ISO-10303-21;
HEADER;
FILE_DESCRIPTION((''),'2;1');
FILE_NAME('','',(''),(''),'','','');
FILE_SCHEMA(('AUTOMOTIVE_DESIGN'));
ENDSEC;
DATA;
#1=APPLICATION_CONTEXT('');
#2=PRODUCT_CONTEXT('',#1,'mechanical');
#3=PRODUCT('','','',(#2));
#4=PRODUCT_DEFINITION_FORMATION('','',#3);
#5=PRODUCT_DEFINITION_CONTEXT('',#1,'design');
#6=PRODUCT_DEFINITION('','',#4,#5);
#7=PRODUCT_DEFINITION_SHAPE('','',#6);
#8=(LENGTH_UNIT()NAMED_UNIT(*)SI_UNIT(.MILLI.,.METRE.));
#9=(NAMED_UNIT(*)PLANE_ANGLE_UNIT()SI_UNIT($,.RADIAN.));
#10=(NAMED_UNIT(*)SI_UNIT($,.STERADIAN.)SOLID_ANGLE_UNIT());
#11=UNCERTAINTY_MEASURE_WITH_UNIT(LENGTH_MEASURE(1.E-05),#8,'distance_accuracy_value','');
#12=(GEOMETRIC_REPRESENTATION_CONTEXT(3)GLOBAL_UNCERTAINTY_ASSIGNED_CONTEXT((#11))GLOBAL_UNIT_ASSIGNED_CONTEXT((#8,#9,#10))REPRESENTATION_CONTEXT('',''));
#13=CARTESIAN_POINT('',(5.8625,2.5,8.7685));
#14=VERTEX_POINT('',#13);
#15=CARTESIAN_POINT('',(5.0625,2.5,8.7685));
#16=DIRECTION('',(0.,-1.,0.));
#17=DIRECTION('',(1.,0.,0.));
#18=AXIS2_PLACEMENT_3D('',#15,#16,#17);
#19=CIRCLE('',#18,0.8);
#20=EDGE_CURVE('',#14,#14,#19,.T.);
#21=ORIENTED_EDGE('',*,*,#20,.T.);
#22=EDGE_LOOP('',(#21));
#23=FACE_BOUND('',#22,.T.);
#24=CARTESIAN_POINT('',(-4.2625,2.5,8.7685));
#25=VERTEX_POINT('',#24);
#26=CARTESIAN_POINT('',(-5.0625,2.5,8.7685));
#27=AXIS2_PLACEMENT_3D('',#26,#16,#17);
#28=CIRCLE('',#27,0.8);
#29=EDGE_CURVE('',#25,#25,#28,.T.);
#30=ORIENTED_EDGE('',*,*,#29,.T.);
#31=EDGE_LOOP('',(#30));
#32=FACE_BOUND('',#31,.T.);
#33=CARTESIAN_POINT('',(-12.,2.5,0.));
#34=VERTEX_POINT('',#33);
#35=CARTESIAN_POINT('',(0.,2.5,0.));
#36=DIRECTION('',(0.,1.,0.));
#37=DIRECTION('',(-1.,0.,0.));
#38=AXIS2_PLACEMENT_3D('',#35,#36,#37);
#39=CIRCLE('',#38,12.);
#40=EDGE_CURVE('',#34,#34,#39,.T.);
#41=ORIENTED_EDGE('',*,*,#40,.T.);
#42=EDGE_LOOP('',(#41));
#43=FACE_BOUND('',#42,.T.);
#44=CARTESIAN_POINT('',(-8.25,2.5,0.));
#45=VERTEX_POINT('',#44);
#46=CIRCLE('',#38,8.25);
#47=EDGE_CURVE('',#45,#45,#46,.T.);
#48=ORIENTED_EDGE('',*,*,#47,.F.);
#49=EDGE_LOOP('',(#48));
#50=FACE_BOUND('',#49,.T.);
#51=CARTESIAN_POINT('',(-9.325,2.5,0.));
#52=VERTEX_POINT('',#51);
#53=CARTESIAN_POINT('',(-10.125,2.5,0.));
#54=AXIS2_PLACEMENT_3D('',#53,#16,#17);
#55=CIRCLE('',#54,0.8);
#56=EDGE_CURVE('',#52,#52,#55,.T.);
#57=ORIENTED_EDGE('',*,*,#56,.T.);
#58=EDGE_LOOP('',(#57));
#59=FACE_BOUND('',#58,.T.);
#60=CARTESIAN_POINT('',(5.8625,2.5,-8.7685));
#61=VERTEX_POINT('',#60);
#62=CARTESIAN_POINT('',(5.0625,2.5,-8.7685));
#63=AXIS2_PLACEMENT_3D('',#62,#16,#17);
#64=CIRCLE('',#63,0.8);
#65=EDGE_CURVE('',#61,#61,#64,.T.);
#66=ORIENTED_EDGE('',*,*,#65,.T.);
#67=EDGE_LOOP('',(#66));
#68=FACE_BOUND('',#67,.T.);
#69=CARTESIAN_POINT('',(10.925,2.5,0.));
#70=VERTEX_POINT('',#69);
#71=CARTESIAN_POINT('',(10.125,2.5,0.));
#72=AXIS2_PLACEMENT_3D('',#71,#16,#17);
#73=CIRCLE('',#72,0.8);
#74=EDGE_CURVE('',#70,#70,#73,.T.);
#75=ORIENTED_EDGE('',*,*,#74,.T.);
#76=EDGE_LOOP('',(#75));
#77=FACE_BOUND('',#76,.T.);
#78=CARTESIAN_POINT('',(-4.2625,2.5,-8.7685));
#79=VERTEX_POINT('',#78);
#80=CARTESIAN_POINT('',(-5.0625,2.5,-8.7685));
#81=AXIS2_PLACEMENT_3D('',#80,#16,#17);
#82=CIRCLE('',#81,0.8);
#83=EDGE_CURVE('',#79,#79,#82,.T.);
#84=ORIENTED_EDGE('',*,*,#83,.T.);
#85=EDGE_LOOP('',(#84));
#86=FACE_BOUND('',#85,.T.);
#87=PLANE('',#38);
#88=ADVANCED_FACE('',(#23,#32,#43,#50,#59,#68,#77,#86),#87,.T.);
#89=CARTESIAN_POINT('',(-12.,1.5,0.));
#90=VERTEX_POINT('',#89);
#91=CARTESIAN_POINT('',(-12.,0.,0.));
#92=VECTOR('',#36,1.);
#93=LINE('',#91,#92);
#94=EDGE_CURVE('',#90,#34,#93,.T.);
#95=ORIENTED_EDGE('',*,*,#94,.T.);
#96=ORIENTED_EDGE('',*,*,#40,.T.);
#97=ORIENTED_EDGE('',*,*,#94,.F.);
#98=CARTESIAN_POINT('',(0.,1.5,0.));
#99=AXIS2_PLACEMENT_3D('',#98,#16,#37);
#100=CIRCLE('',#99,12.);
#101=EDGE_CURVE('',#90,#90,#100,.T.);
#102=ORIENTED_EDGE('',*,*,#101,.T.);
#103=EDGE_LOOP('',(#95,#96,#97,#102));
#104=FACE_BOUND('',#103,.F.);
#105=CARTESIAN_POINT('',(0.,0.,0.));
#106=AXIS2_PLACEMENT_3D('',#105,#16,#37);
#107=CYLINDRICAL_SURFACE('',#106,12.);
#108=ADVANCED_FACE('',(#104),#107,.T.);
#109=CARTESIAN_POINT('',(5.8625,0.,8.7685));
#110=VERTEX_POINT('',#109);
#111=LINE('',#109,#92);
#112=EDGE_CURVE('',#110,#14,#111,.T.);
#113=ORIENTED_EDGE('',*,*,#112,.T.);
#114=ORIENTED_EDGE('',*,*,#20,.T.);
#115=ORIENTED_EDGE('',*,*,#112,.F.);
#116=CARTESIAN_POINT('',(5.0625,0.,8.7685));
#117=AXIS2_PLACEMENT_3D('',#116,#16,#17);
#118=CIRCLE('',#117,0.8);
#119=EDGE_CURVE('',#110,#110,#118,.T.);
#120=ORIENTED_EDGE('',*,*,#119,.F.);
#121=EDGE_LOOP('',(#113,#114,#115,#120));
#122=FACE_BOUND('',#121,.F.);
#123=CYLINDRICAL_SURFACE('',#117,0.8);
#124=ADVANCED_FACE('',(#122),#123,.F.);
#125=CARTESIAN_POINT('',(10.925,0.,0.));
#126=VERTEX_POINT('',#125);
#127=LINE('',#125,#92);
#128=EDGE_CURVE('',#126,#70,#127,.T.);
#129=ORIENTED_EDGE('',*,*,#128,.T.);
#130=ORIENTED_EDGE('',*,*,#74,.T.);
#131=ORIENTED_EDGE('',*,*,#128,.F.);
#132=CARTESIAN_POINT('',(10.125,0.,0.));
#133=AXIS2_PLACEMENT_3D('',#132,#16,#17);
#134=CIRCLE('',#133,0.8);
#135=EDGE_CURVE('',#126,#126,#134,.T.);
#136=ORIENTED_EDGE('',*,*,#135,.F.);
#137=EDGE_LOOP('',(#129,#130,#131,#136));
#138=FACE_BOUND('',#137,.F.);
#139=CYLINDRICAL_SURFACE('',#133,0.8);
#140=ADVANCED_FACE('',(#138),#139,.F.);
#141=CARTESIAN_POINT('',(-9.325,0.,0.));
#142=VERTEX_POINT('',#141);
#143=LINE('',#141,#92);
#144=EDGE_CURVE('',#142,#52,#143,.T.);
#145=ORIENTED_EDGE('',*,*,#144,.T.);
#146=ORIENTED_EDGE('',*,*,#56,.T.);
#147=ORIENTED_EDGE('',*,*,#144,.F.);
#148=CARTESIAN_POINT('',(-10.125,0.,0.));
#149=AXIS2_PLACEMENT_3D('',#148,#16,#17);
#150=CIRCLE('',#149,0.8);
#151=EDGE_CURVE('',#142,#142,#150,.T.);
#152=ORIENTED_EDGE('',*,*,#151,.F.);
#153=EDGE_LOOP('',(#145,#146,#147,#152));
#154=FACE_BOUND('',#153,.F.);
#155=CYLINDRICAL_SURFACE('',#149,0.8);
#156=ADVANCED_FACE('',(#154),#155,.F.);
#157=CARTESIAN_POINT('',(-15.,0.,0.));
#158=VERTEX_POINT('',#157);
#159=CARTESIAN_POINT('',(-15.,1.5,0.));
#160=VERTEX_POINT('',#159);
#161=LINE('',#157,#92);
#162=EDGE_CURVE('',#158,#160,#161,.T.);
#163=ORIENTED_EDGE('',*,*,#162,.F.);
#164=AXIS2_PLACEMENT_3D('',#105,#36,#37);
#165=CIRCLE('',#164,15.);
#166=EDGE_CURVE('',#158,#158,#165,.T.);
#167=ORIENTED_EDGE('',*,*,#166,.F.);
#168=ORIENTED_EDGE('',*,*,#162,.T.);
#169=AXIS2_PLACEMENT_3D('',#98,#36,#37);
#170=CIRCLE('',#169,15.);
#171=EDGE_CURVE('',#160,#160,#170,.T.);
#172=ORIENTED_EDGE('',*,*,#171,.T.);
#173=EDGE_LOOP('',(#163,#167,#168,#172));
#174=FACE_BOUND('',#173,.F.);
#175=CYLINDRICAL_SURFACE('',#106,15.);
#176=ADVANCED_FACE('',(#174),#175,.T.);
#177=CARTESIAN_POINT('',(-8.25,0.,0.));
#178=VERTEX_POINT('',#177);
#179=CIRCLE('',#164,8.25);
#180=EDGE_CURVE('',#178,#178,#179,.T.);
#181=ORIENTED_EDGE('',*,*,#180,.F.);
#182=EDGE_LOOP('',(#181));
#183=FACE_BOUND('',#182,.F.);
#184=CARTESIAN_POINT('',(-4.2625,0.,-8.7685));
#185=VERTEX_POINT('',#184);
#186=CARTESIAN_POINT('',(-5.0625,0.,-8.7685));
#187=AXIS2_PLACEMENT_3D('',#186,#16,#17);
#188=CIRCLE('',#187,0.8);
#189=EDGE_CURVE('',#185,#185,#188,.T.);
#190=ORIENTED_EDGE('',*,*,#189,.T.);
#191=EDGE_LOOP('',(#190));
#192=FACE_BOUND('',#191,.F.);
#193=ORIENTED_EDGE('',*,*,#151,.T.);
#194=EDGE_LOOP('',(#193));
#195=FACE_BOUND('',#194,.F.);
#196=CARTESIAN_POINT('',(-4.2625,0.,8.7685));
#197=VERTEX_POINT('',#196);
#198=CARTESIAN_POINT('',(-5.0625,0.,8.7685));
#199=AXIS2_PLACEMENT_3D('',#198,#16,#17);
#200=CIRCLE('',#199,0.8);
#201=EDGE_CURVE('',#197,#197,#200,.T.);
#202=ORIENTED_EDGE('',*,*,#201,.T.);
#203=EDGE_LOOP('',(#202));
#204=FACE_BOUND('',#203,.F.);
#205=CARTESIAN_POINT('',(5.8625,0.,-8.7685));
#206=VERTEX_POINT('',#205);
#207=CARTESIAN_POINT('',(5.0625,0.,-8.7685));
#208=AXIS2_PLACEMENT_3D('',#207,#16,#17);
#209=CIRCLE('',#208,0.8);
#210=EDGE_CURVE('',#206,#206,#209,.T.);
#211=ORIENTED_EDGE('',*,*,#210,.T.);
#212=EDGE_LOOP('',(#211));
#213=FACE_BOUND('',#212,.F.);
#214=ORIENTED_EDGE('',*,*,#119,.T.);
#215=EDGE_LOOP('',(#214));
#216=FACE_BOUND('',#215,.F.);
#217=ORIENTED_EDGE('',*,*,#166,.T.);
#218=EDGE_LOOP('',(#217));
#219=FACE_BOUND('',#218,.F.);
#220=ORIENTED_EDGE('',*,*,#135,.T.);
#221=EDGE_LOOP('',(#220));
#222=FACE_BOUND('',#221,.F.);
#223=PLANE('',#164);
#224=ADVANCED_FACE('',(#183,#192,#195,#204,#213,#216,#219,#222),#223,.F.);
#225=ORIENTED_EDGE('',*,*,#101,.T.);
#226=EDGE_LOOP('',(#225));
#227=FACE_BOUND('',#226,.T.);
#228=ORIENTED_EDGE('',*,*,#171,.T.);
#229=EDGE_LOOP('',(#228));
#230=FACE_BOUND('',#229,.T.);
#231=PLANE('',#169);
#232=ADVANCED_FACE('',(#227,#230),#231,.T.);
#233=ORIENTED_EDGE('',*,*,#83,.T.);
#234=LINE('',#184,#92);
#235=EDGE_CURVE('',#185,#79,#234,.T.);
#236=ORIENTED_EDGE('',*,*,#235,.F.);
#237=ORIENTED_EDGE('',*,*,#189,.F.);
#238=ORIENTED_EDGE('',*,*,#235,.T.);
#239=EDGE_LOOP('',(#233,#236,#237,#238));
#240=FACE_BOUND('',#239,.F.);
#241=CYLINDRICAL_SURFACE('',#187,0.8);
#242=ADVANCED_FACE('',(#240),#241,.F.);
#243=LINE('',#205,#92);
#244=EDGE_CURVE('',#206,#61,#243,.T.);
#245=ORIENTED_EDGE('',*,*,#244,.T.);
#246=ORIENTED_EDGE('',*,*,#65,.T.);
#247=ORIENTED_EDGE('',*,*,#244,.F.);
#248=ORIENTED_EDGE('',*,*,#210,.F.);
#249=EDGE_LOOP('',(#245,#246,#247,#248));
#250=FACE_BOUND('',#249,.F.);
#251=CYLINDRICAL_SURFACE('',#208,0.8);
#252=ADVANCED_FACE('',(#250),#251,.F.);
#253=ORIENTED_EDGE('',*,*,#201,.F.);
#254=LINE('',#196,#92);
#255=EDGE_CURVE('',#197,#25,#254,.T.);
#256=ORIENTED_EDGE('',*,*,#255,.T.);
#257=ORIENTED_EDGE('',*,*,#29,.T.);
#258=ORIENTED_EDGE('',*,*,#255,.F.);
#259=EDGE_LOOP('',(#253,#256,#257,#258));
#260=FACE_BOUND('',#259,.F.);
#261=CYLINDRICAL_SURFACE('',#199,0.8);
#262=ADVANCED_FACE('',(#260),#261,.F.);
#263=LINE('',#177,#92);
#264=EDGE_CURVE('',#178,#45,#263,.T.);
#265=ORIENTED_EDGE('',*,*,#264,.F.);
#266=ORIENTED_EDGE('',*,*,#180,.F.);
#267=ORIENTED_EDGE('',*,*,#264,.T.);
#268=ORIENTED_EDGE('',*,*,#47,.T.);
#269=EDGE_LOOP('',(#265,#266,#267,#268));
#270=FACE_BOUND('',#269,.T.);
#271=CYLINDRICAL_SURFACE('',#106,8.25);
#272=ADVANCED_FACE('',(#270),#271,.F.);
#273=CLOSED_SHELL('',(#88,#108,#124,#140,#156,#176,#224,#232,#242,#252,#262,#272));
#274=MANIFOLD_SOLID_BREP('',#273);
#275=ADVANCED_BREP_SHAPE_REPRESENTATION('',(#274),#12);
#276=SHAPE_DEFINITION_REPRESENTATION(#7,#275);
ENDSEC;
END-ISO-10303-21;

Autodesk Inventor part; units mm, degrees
ref_plane "YZ Plane" through (0, 0, 0) normal (1, 0, 0) x (0, 1, 0)
ref_plane "XZ Plane" through (0, 0, 0) normal (0, 1, 0) x (-1, 0, 0)
ref_plane "XY Plane" through (0, 0, 0) normal (0, 0, 1) x (1, 0, 0)
sketch "スケッチ1" plane through (0, 0, 0) normal (0, 1, 0) x (-1, 0, 0)
  circle A0 centre (0, 0) radius 8.25
  circle A1 centre (0, 0) radius 15
  circle A2 centre (0, 0) radius 12
  dimension "d0" = 16.5
  dimension "d1" = 30
  dimension "d5" = 24
extrude "押し出し1" add sketch "スケッチ1" along normal blind 1.5 contours A1 | A2
extrude "押し出し2" add sketch "スケッチ1" along normal blind 2.5 contours A2
sketch "スケッチ2" plane through (0, 0, 0) normal (0, -1, 0) x (1, 0, 0)
  circle A0 centre (5.0625, -8.7685) radius 1 construction
  circle A1 centre (10.125, 0) radius 1 construction
  circle A2 centre (5.0625, 8.7685) radius 1 construction
  circle A3 centre (-5.0625, 8.7685) radius 1 construction
  circle A4 centre (-10.125, 0) radius 1 construction
  circle A5 centre (-5.0625, -8.7685) radius 1 construction
  circle A6 centre (10.125, 0) radius 0.8
  circle A7 centre (5.0625, -8.7685) radius 0.8
  circle A8 centre (-5.0625, -8.7685) radius 0.8
  circle A9 centre (-10.125, 0) radius 0.8
  circle A10 centre (-5.0625, 8.7685) radius 0.8
  circle A11 centre (5.0625, 8.7685) radius 0.8
  point P0 (0, 0)
  dimension "d10" = 1.6
  dimension "d11" = 1.6
  dimension "d12" = 1.6
  dimension "d13" = 1.6
  dimension "d14" = 1.6
  dimension "d15" = 1.6
extrude "押し出し3" cut sketch "スケッチ2" against normal through all
equation "\"BendRadius\" = Thickness"
equation "\"BendReliefWidth\" = Thickness"
equation "\"BendReliefDepth\" = 0.5 * Thickness"
equation "\"CornerReliefSize\" = 4 * Thickness"
equation "\"MinimumRemnant\" = 2 * Thickness"
equation "\"TransitionRadius\" = BendRadius"
equation "\"JacobiRadiusSize\" = BendRadius"
equation "\"GapSize\" = Thickness"
equation "\"Thickness\" = 1.5"
properties part number "sholder_joint_c"
